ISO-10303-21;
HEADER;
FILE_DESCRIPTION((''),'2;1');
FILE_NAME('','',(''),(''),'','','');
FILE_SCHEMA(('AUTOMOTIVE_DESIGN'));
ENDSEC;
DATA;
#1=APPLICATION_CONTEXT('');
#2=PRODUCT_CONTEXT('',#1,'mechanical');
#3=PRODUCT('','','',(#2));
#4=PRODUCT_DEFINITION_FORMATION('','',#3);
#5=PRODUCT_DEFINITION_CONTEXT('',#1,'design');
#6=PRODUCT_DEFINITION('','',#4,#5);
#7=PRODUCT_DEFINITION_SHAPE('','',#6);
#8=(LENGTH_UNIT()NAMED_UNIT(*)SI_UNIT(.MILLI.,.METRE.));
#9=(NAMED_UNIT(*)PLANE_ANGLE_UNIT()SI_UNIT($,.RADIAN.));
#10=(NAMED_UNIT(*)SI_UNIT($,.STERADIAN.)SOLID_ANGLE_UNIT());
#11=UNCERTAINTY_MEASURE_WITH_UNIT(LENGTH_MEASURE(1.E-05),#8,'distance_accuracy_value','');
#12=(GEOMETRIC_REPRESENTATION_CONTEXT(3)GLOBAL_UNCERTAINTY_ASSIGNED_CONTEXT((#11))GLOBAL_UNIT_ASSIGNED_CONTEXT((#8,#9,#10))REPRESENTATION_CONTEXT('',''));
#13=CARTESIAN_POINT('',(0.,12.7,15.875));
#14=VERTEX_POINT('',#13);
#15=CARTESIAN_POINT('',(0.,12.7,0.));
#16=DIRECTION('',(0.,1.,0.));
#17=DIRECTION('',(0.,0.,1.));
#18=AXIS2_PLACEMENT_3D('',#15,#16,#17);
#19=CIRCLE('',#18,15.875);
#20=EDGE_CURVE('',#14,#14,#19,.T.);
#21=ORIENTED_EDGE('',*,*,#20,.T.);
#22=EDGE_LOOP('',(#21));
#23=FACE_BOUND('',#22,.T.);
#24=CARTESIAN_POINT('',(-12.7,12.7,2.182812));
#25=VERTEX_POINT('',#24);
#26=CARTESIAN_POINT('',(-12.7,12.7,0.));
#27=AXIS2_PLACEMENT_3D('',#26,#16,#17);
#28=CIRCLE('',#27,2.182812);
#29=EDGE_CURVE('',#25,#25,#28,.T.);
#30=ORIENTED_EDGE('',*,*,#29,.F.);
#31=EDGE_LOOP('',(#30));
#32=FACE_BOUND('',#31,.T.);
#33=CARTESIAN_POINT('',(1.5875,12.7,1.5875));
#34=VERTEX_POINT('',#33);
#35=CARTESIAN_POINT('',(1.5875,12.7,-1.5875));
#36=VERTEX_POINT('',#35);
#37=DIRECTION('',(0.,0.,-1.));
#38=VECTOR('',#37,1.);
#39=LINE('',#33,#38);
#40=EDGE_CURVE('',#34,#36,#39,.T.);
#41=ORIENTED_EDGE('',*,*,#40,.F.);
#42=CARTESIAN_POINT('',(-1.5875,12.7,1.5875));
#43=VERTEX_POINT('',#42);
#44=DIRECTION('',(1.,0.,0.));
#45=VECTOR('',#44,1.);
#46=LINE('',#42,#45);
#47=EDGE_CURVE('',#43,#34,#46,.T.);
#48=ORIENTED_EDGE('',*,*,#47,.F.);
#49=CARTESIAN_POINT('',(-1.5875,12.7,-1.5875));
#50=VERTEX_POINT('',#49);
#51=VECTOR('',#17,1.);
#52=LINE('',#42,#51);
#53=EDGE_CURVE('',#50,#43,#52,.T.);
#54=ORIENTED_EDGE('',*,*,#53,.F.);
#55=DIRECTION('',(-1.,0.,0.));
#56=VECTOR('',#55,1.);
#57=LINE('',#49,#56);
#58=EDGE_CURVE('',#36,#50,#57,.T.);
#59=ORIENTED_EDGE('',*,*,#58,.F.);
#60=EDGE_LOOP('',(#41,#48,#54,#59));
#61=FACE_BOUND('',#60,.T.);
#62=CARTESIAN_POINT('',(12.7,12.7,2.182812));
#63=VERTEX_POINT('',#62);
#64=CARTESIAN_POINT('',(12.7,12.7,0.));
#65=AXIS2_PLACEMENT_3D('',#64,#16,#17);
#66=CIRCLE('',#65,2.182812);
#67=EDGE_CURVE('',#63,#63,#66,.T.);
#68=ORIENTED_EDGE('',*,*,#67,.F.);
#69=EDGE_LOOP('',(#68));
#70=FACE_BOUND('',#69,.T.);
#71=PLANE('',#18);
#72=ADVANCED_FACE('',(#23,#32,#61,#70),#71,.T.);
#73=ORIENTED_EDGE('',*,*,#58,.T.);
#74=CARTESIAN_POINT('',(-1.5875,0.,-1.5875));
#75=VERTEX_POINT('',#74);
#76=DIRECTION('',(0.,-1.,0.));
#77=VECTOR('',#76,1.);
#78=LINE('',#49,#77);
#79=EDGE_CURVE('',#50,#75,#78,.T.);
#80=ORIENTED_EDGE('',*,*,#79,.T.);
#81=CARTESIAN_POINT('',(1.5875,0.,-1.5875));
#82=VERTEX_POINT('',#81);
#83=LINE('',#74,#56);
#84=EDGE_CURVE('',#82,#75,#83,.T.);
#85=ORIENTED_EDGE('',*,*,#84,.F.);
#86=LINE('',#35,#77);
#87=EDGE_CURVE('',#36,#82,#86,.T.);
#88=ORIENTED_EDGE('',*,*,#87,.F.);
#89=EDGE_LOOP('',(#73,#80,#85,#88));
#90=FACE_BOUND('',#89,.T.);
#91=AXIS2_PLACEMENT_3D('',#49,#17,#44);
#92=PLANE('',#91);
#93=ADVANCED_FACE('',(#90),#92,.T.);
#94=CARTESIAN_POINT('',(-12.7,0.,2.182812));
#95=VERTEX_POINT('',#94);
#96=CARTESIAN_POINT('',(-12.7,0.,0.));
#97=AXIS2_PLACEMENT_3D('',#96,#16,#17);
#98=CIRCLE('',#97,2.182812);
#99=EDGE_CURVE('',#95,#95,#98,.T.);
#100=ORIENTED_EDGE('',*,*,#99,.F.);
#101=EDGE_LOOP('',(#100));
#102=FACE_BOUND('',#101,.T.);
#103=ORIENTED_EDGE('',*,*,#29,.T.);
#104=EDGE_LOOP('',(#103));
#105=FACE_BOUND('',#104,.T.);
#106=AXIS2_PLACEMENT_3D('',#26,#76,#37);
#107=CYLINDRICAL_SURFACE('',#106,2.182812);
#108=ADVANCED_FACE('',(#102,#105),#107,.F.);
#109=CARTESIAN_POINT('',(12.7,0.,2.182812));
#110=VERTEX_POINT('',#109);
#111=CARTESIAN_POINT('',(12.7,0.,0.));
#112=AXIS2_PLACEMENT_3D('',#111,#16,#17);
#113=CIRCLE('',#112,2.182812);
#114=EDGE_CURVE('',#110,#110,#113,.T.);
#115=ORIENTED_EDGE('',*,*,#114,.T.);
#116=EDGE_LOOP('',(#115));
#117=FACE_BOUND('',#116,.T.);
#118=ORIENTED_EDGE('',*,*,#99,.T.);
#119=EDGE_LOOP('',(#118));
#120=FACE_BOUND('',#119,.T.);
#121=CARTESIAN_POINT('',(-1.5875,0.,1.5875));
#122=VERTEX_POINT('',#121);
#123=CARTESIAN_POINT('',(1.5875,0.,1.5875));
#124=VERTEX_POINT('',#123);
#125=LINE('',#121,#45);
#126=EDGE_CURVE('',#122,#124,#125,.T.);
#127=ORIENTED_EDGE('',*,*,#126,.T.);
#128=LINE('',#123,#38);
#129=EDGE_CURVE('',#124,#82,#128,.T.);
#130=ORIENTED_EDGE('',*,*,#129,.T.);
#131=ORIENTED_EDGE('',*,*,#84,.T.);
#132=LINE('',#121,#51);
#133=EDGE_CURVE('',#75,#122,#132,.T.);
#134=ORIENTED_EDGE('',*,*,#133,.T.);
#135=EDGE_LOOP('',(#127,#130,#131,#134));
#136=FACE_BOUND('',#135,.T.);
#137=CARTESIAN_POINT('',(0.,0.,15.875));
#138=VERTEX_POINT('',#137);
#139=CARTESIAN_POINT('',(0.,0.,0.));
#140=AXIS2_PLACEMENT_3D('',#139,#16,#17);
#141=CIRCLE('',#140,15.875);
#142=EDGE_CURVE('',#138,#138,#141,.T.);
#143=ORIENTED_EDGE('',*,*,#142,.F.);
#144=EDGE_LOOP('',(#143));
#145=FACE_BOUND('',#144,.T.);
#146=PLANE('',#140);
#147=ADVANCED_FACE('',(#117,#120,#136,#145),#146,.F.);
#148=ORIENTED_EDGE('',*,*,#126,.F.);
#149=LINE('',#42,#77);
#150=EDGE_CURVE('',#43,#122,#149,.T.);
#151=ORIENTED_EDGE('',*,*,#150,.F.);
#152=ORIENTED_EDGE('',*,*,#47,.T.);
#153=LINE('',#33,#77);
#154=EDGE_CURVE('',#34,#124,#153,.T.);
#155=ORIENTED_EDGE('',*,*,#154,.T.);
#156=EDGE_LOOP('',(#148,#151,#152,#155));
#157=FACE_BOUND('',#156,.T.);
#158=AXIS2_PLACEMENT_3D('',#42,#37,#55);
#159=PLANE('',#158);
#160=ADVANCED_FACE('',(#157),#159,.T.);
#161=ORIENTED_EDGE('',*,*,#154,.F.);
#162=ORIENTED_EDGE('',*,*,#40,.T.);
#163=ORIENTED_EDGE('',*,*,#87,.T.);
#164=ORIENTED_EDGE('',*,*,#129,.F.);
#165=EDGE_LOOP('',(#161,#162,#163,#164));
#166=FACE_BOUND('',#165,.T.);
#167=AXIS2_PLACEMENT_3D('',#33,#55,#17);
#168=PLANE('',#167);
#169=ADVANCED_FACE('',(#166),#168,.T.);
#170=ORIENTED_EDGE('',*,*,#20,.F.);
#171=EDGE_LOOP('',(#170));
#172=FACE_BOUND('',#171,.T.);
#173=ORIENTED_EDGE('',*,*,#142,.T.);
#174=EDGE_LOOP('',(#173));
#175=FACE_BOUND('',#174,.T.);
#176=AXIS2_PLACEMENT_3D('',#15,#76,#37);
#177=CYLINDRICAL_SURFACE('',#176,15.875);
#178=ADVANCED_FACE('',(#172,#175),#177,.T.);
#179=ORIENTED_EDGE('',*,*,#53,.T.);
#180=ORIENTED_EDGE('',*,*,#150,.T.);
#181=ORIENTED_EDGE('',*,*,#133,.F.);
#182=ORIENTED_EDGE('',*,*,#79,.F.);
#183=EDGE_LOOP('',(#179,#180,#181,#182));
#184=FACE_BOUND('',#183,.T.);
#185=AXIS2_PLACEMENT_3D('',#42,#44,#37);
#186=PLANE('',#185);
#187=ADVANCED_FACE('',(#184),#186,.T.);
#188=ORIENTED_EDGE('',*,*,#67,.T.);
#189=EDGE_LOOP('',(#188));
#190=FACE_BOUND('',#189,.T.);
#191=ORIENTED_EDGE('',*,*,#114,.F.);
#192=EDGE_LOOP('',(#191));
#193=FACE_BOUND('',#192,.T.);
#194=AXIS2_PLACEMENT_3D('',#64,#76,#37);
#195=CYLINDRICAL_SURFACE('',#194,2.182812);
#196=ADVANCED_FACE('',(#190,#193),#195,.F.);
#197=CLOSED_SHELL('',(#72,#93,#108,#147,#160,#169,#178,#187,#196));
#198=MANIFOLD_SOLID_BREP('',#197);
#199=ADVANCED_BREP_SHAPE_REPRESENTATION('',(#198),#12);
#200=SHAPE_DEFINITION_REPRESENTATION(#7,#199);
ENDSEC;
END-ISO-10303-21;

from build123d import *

# Parameters (mm, degrees)
SKETCH1_R           = 15.875
SKETCH1_R_2         = 2.1828125
SKETCH1_W           = 3.175
SKETCH1_H           = 3.175
BOSS_EXTRUDE1_DEPTH = 12.7


with BuildPart() as part:
    # Sketch1 → Boss-Extrude1 (new body)
    with BuildSketch(Plane(origin=(0, 0, 0), x_dir=(1, 0, 0), z_dir=(0, 1, 0))):
        with Locations(Location((0, 0, 0), (0, 0, 270))):
            Circle(SKETCH1_R)
        with Locations(Location((12.7, 0, 0), (0, 0, 270))):
            Circle(SKETCH1_R_2, mode=Mode.SUBTRACT)
        with Locations(Location((-12.7, 0, 0), (0, 0, 270))):
            Circle(SKETCH1_R_2, mode=Mode.SUBTRACT)
        Rectangle(SKETCH1_W, SKETCH1_H, mode=Mode.SUBTRACT)
    extrude(amount=BOSS_EXTRUDE1_DEPTH)


solid = part.part
